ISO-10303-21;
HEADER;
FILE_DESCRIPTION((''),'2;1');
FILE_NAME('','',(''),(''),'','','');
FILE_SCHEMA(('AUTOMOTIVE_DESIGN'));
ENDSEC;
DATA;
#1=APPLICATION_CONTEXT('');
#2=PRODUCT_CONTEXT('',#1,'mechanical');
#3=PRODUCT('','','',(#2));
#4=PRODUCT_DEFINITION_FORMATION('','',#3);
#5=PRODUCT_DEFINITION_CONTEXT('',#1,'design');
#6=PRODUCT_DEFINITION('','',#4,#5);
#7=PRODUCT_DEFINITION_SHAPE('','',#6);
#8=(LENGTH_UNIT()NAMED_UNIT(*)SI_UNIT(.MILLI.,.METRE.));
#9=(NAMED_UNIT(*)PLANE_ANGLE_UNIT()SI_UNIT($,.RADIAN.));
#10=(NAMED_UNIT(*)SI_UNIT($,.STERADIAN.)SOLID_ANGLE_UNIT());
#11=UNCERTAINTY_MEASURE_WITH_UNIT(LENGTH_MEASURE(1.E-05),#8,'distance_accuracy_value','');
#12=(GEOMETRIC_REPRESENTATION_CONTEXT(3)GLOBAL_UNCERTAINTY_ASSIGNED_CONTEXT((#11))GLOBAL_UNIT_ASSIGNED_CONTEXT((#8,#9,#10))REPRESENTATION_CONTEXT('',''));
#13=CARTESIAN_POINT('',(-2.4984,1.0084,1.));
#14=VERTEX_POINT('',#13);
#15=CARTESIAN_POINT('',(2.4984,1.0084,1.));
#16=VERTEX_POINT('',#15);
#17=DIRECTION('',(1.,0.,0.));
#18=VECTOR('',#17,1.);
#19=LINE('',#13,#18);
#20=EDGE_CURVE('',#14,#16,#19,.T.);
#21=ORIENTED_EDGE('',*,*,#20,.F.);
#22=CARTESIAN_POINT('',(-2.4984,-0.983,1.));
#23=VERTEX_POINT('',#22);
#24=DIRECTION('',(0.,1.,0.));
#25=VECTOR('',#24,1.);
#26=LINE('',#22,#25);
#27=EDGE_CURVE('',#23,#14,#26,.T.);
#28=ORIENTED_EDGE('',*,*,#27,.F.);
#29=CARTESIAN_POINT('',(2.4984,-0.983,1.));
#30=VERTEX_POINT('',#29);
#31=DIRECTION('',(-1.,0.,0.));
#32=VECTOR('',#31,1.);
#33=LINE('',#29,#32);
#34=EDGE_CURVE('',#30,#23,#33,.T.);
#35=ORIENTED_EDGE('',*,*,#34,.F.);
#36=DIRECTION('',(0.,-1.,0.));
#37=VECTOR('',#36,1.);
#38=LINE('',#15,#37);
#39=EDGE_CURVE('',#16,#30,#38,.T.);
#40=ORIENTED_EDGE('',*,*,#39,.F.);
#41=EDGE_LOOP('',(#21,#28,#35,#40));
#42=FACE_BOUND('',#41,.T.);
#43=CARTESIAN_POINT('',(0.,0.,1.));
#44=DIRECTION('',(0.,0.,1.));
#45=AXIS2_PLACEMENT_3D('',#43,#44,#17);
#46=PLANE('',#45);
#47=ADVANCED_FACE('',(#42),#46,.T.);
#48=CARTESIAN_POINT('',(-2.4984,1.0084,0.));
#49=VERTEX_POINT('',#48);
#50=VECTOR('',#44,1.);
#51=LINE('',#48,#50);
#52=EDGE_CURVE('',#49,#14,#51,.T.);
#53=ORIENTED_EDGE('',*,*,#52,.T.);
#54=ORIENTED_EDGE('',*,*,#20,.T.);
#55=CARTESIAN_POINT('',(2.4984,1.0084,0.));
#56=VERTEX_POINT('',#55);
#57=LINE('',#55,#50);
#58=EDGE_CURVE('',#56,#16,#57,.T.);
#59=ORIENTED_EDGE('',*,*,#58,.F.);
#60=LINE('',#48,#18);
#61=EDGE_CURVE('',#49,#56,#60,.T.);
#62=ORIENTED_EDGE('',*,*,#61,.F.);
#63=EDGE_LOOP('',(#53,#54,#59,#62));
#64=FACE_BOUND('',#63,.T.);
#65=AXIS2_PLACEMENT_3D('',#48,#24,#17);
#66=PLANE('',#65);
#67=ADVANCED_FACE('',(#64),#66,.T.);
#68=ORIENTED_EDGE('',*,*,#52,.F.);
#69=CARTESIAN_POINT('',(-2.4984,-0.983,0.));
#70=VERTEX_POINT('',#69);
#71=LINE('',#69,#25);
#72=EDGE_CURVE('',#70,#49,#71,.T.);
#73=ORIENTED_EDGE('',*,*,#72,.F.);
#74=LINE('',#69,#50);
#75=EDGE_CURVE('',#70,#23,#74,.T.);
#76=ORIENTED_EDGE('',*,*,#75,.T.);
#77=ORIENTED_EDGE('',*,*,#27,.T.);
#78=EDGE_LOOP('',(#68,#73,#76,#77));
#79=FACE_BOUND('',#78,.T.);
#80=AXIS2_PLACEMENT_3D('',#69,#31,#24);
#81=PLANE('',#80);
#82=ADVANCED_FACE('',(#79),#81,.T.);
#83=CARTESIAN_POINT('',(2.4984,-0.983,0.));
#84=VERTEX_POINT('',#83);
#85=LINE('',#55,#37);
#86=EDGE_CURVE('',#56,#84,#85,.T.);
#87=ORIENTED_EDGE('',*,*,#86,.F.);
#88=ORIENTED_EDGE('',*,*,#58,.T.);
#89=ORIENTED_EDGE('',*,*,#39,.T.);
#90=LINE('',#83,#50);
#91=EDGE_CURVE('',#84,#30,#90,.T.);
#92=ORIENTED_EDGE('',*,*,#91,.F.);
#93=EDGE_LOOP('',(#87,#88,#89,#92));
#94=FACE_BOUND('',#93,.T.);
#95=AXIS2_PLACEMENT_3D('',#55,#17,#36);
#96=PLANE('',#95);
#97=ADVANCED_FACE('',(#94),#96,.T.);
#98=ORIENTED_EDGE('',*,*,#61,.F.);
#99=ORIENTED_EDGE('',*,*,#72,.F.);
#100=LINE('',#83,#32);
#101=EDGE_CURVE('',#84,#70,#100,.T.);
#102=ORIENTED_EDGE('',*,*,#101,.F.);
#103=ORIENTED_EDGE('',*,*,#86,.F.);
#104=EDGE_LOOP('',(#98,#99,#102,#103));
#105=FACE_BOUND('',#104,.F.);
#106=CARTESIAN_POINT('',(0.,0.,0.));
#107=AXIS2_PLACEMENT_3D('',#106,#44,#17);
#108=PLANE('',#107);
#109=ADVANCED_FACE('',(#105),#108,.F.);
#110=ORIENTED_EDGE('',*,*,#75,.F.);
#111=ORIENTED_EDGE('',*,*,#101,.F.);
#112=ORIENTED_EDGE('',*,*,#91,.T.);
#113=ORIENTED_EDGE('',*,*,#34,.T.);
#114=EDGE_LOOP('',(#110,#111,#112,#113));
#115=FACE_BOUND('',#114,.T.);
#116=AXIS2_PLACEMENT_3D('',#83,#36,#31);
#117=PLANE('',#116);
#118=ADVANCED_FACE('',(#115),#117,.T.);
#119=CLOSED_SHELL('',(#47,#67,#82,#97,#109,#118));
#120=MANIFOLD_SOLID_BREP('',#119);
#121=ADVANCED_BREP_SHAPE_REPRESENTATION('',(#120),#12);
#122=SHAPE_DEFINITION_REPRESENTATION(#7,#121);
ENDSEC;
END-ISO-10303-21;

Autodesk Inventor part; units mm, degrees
ref_plane "YZ Plane" through (0, 0, 0) normal (1, 0, 0) x (0, 1, 0)
ref_plane "XZ Plane" through (0, 0, 0) normal (0, 1, 0) x (-1, 0, 0)
ref_plane "XY Plane" through (0, 0, 0) normal (0, 0, 1) x (1, 0, 0)
sketch "C3216, 1U_47" plane through (0, 0, 0) normal (0, 0, 1) x (1, 0, 0)
  line L0 (-2.4984, 1.0084) -> (2.4984, 1.0084)
  line L1 (2.4984, 1.0084) -> (2.4984, -0.983)
  line L2 (2.4984, -0.983) -> (-2.4984, -0.983)
  line L3 (-2.4984, -0.983) -> (-2.4984, 1.0084)
extrude "Extrusion1" add sketch "C3216, 1U_47" along normal blind 1
properties part number "1U"
